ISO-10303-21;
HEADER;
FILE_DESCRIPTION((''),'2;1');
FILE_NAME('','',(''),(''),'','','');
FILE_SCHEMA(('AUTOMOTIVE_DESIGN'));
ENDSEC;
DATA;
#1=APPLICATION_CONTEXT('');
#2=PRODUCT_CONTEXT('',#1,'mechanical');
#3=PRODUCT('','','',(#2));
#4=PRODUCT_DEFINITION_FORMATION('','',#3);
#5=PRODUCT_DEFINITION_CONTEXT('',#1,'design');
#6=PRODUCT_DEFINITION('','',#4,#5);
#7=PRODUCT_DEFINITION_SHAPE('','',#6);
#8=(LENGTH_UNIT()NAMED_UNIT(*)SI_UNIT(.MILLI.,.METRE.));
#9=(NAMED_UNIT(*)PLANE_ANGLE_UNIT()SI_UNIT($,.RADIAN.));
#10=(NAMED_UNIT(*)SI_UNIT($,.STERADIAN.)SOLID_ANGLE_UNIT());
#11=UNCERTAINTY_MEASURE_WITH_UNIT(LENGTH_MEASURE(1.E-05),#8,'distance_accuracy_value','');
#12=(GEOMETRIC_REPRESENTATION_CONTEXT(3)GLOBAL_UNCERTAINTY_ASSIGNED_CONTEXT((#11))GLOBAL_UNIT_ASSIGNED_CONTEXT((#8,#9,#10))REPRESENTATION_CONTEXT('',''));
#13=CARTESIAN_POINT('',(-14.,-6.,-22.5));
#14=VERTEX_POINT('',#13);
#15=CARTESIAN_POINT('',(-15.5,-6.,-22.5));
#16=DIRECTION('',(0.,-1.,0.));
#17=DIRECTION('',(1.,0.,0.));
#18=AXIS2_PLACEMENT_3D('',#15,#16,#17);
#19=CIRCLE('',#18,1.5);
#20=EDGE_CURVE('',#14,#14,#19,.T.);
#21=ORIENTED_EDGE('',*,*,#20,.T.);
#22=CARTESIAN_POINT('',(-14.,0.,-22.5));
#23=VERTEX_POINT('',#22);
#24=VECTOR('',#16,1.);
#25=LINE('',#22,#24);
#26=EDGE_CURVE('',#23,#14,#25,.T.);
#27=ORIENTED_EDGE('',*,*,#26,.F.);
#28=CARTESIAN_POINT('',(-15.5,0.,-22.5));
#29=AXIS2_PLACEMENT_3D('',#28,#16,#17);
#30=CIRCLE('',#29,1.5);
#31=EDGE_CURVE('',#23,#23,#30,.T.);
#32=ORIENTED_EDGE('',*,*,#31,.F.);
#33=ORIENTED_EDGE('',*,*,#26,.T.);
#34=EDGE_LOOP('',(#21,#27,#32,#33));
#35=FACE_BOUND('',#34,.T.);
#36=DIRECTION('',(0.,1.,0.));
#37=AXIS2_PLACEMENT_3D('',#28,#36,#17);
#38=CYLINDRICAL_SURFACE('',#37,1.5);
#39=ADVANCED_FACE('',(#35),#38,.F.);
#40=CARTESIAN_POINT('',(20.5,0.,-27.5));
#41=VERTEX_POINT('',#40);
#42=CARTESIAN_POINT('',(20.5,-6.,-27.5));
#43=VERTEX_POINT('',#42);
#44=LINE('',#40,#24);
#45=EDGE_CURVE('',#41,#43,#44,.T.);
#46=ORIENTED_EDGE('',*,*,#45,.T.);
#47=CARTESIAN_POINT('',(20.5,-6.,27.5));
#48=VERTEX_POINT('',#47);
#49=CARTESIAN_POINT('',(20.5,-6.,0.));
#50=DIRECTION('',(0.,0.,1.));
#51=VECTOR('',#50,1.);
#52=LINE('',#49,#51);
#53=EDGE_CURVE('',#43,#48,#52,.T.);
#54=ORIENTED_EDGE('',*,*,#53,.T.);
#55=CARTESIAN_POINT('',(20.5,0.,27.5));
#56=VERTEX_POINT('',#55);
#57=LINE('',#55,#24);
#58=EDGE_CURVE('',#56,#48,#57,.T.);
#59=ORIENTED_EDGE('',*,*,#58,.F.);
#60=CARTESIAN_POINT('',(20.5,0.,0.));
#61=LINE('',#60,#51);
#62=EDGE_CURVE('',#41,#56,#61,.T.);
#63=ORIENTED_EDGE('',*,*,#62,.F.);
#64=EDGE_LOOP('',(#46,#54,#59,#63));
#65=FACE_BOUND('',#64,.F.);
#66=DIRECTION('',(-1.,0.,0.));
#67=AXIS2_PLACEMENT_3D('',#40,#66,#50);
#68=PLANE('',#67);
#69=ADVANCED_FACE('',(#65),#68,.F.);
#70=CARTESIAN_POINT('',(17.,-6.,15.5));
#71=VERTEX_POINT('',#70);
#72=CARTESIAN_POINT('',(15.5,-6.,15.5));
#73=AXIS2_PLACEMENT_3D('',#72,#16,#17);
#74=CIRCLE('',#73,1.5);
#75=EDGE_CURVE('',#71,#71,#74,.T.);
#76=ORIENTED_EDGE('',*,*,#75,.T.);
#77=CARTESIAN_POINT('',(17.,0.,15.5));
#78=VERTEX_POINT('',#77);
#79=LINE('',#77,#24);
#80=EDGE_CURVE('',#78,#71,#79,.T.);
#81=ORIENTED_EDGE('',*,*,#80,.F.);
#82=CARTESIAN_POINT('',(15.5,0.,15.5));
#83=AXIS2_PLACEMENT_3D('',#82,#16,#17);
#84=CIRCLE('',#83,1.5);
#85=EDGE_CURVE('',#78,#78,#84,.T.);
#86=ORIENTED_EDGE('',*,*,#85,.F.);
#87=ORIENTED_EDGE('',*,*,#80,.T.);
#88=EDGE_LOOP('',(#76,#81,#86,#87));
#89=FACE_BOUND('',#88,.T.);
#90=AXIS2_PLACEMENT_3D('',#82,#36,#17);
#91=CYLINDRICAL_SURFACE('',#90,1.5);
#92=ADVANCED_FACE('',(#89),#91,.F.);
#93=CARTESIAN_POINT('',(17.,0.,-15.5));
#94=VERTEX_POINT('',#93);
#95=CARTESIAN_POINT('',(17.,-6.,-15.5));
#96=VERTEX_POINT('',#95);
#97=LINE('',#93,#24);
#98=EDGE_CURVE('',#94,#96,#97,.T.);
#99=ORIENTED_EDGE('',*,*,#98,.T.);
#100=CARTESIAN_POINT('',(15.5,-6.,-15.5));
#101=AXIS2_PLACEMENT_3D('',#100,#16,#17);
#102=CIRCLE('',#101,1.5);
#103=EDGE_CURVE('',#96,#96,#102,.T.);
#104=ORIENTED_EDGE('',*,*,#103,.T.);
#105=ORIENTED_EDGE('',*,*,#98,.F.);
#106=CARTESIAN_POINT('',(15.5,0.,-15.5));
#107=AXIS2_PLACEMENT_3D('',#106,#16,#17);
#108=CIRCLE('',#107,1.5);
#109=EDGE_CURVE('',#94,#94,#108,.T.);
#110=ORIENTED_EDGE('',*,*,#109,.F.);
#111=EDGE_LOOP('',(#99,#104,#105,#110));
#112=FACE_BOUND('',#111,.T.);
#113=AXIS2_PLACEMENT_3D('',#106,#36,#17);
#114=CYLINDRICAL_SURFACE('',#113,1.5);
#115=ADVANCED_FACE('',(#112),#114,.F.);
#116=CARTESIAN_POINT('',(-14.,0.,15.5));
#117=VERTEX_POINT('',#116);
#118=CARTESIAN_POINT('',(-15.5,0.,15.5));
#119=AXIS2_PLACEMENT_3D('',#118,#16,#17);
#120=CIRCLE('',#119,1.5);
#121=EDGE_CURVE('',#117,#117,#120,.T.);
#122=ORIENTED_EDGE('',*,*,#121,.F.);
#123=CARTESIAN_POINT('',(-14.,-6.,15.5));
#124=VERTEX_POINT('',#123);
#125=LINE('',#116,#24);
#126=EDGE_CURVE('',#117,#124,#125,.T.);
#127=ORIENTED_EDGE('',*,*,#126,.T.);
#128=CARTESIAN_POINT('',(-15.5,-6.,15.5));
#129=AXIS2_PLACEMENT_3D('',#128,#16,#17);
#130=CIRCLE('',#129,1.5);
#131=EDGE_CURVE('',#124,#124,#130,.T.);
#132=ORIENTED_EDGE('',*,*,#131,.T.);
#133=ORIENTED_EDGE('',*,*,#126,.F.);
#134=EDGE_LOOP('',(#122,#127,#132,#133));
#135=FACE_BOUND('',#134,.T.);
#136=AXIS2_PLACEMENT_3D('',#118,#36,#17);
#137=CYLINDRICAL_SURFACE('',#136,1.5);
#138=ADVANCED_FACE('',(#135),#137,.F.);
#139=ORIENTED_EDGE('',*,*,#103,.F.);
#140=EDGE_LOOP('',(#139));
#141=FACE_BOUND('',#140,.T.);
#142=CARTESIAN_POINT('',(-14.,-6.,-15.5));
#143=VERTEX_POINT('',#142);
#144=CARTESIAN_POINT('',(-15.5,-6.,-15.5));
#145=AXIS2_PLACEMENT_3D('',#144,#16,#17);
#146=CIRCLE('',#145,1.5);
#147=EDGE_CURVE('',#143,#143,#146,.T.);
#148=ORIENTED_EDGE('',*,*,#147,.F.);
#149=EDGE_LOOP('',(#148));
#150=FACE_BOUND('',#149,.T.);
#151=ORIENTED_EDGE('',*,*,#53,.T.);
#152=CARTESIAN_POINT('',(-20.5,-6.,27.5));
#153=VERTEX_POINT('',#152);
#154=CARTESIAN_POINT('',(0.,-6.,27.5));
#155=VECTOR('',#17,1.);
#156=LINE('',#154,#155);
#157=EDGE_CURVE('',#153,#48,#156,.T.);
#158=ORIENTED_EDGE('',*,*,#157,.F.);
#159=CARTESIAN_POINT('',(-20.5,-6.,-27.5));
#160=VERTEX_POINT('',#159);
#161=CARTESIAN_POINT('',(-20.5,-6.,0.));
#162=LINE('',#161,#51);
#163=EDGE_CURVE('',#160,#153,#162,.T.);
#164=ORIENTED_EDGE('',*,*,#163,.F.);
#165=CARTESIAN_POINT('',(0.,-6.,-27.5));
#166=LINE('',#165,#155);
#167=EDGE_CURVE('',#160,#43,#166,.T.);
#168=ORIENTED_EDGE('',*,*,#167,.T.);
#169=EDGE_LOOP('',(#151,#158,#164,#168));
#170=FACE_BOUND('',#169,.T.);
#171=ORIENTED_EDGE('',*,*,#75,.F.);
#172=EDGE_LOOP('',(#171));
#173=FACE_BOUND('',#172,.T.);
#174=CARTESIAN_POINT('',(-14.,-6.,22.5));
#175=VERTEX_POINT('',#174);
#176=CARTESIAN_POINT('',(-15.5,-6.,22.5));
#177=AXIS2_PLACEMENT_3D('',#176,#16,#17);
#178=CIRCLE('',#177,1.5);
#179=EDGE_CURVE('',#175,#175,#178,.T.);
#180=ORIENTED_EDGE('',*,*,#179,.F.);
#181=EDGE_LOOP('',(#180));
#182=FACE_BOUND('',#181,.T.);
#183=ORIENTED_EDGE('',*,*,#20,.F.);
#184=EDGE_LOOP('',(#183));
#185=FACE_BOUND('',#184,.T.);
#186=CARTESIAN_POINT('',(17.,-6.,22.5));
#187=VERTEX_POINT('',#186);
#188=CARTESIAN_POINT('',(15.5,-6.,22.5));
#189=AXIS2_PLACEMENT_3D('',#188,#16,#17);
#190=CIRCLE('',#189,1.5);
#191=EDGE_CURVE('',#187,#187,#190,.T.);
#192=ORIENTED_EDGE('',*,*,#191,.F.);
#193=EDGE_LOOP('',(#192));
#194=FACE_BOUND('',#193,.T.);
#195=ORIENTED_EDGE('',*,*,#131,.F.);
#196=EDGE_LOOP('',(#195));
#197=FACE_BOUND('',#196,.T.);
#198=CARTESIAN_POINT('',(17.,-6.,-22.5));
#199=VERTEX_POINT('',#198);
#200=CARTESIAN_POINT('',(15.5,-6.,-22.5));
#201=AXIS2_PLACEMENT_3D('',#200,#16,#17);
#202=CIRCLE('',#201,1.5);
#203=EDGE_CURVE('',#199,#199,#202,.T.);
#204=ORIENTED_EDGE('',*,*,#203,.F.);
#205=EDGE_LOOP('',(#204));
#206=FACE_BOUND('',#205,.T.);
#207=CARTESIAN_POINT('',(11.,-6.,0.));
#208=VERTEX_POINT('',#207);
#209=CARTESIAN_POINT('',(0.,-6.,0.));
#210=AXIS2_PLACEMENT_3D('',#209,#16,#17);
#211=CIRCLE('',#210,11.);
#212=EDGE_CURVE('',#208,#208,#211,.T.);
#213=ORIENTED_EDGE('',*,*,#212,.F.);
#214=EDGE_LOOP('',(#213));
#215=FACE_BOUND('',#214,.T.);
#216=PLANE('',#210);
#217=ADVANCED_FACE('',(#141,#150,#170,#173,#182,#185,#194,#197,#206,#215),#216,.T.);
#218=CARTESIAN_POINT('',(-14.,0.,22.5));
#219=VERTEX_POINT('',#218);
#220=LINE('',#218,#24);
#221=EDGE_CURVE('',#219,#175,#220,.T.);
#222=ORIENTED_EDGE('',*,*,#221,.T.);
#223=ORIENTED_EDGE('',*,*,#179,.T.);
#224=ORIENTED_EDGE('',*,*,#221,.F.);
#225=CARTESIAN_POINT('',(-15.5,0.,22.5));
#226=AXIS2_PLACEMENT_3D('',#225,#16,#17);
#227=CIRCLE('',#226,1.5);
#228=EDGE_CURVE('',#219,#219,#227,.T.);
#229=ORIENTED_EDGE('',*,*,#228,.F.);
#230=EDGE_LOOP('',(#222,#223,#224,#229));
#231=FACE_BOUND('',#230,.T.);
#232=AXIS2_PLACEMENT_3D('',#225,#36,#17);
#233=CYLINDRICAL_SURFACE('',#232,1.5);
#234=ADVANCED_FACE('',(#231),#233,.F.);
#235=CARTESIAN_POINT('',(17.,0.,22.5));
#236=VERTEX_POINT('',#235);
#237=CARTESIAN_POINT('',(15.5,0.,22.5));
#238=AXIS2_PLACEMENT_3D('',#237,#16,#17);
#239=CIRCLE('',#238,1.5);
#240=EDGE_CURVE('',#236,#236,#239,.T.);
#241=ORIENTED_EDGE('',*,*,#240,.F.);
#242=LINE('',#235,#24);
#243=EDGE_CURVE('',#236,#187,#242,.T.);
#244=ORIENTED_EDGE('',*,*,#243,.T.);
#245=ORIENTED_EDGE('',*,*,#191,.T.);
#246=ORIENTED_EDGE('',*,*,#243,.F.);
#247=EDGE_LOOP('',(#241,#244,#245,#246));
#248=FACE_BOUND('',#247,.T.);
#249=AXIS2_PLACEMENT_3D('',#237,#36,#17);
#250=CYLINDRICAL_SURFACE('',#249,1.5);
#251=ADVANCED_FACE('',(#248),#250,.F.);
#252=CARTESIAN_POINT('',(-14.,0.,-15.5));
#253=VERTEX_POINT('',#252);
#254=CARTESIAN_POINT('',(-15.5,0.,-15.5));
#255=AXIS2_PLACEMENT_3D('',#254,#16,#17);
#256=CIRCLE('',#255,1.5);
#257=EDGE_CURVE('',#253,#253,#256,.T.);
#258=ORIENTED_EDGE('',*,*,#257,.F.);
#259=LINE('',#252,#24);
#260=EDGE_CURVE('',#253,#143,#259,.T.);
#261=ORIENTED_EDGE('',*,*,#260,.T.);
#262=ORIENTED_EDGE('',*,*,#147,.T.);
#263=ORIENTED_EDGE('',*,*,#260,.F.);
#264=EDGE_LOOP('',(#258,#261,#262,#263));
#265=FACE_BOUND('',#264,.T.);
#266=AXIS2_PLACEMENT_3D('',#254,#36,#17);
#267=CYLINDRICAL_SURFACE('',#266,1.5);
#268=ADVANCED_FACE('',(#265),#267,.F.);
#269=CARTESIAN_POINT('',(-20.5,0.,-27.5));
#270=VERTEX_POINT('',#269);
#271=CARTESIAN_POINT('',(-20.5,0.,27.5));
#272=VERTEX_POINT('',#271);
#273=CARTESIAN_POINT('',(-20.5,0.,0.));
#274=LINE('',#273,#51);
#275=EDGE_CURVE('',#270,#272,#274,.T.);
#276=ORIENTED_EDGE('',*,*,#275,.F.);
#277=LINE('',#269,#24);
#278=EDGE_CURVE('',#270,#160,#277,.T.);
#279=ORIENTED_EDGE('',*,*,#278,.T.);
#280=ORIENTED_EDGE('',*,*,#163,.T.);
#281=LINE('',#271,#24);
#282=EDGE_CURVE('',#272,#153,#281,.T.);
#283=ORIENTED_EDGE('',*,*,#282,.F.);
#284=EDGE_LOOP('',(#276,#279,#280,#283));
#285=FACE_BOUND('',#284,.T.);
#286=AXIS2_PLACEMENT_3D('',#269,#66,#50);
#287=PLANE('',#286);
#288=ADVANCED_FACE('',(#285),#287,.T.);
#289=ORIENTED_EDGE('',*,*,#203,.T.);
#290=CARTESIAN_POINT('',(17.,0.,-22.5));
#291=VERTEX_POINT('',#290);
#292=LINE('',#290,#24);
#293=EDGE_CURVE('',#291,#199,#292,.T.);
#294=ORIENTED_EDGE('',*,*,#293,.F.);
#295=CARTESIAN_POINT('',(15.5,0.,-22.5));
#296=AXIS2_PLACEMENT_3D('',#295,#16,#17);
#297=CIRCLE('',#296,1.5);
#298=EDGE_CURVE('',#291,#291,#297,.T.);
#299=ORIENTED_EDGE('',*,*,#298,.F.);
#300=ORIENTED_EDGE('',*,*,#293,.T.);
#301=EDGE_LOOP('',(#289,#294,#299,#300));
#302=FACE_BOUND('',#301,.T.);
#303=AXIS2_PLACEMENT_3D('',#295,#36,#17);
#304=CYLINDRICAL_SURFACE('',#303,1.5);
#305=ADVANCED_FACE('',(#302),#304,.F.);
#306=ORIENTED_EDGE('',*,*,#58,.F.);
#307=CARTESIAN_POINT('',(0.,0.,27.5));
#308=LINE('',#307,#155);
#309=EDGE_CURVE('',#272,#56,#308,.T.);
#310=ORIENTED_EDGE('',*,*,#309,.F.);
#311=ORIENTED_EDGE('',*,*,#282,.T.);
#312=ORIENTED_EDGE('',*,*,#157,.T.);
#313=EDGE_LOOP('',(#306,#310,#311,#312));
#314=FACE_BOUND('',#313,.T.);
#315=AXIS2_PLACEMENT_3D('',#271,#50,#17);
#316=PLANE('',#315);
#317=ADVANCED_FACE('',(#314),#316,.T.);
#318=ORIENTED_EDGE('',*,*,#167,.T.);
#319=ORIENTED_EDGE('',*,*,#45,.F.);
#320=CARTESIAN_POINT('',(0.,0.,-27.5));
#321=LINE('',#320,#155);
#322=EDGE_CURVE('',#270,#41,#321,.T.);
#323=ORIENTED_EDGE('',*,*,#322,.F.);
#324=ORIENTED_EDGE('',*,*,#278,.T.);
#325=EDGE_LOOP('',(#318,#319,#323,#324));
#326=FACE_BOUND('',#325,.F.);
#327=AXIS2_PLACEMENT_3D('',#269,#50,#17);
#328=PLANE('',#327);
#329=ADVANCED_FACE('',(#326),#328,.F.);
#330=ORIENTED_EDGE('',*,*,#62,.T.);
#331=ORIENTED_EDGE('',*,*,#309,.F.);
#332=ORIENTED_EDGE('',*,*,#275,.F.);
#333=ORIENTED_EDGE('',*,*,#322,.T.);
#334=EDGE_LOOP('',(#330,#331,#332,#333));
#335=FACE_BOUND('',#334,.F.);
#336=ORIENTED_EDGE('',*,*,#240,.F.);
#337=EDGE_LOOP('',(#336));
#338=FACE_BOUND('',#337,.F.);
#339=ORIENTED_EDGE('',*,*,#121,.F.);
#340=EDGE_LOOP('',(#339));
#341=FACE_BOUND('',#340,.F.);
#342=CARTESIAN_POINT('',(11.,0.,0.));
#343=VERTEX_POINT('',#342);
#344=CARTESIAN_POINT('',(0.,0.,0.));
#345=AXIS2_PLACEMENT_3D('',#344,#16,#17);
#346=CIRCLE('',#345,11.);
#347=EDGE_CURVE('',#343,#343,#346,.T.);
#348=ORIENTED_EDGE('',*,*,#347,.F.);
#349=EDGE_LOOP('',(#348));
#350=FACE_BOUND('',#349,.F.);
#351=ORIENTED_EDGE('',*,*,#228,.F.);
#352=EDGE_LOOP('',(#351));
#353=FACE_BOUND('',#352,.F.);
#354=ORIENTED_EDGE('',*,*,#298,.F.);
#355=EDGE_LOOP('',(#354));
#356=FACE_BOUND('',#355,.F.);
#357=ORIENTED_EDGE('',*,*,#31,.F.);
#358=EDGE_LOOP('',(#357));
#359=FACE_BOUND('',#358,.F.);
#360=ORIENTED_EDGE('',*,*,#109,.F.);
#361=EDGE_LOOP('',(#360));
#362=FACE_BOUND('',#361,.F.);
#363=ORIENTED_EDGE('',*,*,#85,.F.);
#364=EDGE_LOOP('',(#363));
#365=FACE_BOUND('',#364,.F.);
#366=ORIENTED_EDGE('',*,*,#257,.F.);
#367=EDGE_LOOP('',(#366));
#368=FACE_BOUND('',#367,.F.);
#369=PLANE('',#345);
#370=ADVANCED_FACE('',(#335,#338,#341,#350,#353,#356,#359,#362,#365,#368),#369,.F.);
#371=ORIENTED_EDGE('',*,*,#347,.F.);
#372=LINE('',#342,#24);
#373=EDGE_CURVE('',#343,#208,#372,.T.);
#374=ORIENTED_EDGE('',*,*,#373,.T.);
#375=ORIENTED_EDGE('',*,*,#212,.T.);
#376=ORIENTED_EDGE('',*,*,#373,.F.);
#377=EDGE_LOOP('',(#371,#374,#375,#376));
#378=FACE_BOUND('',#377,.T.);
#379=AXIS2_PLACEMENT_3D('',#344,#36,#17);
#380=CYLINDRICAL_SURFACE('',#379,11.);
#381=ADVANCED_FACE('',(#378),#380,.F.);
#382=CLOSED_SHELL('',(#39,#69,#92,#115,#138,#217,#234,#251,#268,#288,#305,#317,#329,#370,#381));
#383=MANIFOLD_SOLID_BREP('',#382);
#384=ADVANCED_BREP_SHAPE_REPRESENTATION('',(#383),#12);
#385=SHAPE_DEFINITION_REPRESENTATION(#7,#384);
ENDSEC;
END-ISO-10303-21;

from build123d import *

# Parameters (mm, degrees)
F0_W     = 41
F0_H     = 55
F0_R     = 1.5
F0_R_2   = 11
F1_DEPTH = 6


with BuildPart() as f1:
    # F0 (on Front) → F1 (new body)
    with BuildSketch(Plane.XZ):
        Rectangle(F0_W, F0_H)
        with Locations((-15.5, -22.5)):
            Circle(F0_R, mode=Mode.SUBTRACT)
        with Locations((-15.5, -15.5)):
            Circle(F0_R, mode=Mode.SUBTRACT)
        with Locations((15.5, -22.5)):
            Circle(F0_R, mode=Mode.SUBTRACT)
        with Locations((15.5, -15.5)):
            Circle(F0_R, mode=Mode.SUBTRACT)
        with Locations((-15.5, 15.5)):
            Circle(F0_R, mode=Mode.SUBTRACT)
        with Locations((-15.5, 22.5)):
            Circle(F0_R, mode=Mode.SUBTRACT)
        Circle(F0_R_2, mode=Mode.SUBTRACT)
        with Locations((15.5, 15.5)):
            Circle(F0_R, mode=Mode.SUBTRACT)
        with Locations((15.5, 22.5)):
            Circle(F0_R, mode=Mode.SUBTRACT)
    extrude(amount=F1_DEPTH)


solid = f1.part
